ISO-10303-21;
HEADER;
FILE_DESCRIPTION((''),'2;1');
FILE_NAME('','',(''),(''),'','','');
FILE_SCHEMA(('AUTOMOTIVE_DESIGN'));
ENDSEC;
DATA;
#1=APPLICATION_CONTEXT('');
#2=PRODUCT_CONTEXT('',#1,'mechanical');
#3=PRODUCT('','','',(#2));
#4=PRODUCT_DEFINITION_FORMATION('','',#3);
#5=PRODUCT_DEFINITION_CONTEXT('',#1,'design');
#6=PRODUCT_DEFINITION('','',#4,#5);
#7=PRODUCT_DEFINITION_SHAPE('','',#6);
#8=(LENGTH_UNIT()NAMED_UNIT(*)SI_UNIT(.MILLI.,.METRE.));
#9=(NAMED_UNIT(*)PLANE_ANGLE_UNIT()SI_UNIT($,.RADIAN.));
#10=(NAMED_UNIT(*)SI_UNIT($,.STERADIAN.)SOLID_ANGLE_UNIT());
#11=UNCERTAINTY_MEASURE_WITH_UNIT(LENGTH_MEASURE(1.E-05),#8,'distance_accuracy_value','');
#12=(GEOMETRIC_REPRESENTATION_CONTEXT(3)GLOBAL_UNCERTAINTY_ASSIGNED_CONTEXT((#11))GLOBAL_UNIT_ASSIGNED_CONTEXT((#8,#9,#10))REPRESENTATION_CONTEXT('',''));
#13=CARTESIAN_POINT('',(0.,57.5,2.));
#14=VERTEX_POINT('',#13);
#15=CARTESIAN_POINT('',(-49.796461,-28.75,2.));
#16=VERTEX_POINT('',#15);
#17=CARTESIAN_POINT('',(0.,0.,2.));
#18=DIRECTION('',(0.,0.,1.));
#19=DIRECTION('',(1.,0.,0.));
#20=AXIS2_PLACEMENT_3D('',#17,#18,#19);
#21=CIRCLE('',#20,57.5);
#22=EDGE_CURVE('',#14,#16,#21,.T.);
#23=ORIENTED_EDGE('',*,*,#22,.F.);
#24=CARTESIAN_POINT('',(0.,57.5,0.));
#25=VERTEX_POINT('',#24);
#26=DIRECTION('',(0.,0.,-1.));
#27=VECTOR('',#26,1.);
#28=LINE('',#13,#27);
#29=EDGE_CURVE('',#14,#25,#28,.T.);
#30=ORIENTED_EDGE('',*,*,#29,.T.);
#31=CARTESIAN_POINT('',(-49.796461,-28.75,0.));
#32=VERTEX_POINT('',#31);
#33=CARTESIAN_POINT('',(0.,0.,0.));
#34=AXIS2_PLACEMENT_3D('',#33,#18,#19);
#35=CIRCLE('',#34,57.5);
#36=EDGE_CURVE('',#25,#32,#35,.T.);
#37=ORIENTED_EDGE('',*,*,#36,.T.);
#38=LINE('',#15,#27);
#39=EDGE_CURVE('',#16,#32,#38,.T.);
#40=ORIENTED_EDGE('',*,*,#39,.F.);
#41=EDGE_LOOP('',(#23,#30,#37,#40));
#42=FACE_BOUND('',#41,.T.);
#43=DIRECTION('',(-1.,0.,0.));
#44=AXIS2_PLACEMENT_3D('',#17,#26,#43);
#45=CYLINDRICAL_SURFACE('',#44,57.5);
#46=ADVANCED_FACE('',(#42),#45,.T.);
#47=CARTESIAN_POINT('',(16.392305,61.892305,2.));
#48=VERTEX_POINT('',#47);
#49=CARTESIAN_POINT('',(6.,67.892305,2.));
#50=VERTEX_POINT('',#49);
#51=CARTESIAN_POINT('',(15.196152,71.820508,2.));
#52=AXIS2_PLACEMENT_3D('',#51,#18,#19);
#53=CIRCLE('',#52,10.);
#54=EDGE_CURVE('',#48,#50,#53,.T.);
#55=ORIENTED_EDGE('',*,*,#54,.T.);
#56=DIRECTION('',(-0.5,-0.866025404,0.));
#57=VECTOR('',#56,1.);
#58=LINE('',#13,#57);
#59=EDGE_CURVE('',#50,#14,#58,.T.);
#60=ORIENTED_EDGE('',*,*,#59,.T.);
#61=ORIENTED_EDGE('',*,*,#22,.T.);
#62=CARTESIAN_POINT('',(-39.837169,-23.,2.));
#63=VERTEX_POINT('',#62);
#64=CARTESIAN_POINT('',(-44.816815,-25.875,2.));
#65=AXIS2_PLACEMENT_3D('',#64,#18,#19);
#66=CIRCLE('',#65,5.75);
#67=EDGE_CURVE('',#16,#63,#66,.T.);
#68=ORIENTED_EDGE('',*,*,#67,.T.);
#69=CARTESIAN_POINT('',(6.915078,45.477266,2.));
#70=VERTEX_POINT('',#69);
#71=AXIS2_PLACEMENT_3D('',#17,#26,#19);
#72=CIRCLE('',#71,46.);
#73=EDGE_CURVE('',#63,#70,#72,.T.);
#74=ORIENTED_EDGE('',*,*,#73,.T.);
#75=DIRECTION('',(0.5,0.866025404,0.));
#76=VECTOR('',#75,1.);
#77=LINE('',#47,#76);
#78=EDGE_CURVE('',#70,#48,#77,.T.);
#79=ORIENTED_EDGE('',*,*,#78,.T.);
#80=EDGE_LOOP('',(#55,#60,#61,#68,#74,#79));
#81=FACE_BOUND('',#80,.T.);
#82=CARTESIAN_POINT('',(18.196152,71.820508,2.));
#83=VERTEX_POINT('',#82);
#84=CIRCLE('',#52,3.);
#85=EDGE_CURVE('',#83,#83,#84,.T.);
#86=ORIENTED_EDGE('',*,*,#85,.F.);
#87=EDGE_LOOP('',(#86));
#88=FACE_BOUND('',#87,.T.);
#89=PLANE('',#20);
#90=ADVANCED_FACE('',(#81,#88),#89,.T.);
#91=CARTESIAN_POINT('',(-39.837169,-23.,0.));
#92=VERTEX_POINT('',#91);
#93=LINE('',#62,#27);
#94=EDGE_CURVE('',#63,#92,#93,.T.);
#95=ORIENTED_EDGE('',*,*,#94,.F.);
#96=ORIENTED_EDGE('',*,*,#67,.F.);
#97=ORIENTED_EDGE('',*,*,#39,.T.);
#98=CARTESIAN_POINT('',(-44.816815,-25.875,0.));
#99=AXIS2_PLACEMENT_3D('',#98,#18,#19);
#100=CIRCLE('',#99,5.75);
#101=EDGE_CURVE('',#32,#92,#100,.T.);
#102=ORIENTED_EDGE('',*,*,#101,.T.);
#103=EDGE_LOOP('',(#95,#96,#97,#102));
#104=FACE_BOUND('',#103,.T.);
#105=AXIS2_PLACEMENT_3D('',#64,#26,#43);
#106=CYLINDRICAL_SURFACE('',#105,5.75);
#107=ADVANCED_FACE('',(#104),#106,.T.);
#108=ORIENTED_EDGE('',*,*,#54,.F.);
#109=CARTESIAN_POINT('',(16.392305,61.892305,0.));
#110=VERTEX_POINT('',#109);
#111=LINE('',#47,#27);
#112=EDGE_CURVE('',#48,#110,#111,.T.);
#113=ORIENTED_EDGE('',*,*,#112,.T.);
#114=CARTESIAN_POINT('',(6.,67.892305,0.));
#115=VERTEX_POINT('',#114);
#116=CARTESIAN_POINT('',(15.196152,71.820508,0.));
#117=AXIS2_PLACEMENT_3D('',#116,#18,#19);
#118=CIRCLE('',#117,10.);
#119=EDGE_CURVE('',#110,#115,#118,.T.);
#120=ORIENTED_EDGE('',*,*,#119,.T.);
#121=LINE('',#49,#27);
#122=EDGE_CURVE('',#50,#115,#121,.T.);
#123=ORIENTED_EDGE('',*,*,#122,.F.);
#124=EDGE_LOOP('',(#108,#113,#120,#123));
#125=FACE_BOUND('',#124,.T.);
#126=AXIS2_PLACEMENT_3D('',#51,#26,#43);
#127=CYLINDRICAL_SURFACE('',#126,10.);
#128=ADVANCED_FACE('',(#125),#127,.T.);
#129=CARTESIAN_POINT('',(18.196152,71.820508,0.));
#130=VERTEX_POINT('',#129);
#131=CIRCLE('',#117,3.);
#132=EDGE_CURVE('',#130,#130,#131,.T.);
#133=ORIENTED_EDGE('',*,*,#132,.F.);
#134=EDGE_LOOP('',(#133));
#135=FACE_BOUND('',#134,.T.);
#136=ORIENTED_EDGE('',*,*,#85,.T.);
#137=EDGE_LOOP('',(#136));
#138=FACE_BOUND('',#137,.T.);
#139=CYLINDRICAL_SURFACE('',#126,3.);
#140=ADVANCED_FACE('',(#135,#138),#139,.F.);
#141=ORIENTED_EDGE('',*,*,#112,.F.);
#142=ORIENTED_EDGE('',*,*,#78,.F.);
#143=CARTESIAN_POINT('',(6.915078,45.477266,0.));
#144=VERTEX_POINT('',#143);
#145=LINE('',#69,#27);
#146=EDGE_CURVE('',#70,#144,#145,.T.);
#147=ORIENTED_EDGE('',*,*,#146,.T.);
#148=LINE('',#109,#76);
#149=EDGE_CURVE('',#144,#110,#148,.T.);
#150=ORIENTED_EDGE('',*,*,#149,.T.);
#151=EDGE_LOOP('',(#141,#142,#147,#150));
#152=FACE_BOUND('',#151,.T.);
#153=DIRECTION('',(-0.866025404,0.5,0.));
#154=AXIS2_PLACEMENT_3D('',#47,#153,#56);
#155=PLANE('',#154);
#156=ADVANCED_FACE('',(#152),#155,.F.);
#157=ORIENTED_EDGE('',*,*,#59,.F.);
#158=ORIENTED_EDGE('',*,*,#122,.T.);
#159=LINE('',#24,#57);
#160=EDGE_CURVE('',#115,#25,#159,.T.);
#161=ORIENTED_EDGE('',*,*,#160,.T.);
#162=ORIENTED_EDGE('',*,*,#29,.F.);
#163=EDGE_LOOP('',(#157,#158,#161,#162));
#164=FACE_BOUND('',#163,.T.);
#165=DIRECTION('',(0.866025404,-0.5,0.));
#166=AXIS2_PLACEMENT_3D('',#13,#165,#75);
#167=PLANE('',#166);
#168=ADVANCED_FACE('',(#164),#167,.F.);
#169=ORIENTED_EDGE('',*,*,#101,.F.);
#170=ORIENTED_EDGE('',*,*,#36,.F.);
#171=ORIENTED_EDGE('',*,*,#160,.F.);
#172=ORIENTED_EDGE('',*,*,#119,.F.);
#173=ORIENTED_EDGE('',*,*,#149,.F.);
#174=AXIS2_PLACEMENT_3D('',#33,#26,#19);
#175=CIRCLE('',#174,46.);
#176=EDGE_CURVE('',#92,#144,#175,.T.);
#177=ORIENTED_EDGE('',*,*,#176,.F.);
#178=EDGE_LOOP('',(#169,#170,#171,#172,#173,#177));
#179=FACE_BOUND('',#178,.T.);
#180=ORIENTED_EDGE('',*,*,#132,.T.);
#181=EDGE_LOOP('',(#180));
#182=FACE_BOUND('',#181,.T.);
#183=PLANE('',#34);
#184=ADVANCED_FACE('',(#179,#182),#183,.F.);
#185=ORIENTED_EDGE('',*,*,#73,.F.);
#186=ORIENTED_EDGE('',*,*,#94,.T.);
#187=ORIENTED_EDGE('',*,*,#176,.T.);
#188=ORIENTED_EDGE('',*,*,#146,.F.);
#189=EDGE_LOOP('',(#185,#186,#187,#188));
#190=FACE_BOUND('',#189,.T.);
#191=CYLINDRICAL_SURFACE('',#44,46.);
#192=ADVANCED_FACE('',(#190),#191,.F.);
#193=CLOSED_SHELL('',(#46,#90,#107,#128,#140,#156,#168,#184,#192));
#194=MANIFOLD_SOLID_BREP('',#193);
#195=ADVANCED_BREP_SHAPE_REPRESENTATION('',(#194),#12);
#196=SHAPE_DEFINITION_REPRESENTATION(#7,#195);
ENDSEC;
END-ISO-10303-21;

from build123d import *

# Parameters (mm, degrees)
SKETCH_1_R      = 3
EXTRUDE_1_DEPTH = 2


with BuildPart() as part:
    # 草图1 → 凸台-拉伸1 (new body)
    with BuildSketch(Plane.XY):
        with BuildLine():
            Line((0, 57.5), (6, 67.892304845))
            ThreePointArc((6, 67.892304845), (20.196152423, 80.480762114), (16.392304845, 61.892304845))
            Line((16.392304845, 61.892304845), (6.915077614, 45.477265766))
            ThreePointArc((6.915077614, 45.477265766), (-37.990130297, 25.937424699), (-39.837168574, -23))
            ThreePointArc((-39.837168574, -23), (-41.941814646, -30.854646072), (-49.796460718, -28.75))
            ThreePointArc((-49.796460718, -28.75), (-49.796460718, 28.75), (0, 57.5))
        make_face()
        with Locations((15.196152423, 71.820508076)):
            Circle(SKETCH_1_R, mode=Mode.SUBTRACT)
    extrude(amount=EXTRUDE_1_DEPTH)


solid = part.part
